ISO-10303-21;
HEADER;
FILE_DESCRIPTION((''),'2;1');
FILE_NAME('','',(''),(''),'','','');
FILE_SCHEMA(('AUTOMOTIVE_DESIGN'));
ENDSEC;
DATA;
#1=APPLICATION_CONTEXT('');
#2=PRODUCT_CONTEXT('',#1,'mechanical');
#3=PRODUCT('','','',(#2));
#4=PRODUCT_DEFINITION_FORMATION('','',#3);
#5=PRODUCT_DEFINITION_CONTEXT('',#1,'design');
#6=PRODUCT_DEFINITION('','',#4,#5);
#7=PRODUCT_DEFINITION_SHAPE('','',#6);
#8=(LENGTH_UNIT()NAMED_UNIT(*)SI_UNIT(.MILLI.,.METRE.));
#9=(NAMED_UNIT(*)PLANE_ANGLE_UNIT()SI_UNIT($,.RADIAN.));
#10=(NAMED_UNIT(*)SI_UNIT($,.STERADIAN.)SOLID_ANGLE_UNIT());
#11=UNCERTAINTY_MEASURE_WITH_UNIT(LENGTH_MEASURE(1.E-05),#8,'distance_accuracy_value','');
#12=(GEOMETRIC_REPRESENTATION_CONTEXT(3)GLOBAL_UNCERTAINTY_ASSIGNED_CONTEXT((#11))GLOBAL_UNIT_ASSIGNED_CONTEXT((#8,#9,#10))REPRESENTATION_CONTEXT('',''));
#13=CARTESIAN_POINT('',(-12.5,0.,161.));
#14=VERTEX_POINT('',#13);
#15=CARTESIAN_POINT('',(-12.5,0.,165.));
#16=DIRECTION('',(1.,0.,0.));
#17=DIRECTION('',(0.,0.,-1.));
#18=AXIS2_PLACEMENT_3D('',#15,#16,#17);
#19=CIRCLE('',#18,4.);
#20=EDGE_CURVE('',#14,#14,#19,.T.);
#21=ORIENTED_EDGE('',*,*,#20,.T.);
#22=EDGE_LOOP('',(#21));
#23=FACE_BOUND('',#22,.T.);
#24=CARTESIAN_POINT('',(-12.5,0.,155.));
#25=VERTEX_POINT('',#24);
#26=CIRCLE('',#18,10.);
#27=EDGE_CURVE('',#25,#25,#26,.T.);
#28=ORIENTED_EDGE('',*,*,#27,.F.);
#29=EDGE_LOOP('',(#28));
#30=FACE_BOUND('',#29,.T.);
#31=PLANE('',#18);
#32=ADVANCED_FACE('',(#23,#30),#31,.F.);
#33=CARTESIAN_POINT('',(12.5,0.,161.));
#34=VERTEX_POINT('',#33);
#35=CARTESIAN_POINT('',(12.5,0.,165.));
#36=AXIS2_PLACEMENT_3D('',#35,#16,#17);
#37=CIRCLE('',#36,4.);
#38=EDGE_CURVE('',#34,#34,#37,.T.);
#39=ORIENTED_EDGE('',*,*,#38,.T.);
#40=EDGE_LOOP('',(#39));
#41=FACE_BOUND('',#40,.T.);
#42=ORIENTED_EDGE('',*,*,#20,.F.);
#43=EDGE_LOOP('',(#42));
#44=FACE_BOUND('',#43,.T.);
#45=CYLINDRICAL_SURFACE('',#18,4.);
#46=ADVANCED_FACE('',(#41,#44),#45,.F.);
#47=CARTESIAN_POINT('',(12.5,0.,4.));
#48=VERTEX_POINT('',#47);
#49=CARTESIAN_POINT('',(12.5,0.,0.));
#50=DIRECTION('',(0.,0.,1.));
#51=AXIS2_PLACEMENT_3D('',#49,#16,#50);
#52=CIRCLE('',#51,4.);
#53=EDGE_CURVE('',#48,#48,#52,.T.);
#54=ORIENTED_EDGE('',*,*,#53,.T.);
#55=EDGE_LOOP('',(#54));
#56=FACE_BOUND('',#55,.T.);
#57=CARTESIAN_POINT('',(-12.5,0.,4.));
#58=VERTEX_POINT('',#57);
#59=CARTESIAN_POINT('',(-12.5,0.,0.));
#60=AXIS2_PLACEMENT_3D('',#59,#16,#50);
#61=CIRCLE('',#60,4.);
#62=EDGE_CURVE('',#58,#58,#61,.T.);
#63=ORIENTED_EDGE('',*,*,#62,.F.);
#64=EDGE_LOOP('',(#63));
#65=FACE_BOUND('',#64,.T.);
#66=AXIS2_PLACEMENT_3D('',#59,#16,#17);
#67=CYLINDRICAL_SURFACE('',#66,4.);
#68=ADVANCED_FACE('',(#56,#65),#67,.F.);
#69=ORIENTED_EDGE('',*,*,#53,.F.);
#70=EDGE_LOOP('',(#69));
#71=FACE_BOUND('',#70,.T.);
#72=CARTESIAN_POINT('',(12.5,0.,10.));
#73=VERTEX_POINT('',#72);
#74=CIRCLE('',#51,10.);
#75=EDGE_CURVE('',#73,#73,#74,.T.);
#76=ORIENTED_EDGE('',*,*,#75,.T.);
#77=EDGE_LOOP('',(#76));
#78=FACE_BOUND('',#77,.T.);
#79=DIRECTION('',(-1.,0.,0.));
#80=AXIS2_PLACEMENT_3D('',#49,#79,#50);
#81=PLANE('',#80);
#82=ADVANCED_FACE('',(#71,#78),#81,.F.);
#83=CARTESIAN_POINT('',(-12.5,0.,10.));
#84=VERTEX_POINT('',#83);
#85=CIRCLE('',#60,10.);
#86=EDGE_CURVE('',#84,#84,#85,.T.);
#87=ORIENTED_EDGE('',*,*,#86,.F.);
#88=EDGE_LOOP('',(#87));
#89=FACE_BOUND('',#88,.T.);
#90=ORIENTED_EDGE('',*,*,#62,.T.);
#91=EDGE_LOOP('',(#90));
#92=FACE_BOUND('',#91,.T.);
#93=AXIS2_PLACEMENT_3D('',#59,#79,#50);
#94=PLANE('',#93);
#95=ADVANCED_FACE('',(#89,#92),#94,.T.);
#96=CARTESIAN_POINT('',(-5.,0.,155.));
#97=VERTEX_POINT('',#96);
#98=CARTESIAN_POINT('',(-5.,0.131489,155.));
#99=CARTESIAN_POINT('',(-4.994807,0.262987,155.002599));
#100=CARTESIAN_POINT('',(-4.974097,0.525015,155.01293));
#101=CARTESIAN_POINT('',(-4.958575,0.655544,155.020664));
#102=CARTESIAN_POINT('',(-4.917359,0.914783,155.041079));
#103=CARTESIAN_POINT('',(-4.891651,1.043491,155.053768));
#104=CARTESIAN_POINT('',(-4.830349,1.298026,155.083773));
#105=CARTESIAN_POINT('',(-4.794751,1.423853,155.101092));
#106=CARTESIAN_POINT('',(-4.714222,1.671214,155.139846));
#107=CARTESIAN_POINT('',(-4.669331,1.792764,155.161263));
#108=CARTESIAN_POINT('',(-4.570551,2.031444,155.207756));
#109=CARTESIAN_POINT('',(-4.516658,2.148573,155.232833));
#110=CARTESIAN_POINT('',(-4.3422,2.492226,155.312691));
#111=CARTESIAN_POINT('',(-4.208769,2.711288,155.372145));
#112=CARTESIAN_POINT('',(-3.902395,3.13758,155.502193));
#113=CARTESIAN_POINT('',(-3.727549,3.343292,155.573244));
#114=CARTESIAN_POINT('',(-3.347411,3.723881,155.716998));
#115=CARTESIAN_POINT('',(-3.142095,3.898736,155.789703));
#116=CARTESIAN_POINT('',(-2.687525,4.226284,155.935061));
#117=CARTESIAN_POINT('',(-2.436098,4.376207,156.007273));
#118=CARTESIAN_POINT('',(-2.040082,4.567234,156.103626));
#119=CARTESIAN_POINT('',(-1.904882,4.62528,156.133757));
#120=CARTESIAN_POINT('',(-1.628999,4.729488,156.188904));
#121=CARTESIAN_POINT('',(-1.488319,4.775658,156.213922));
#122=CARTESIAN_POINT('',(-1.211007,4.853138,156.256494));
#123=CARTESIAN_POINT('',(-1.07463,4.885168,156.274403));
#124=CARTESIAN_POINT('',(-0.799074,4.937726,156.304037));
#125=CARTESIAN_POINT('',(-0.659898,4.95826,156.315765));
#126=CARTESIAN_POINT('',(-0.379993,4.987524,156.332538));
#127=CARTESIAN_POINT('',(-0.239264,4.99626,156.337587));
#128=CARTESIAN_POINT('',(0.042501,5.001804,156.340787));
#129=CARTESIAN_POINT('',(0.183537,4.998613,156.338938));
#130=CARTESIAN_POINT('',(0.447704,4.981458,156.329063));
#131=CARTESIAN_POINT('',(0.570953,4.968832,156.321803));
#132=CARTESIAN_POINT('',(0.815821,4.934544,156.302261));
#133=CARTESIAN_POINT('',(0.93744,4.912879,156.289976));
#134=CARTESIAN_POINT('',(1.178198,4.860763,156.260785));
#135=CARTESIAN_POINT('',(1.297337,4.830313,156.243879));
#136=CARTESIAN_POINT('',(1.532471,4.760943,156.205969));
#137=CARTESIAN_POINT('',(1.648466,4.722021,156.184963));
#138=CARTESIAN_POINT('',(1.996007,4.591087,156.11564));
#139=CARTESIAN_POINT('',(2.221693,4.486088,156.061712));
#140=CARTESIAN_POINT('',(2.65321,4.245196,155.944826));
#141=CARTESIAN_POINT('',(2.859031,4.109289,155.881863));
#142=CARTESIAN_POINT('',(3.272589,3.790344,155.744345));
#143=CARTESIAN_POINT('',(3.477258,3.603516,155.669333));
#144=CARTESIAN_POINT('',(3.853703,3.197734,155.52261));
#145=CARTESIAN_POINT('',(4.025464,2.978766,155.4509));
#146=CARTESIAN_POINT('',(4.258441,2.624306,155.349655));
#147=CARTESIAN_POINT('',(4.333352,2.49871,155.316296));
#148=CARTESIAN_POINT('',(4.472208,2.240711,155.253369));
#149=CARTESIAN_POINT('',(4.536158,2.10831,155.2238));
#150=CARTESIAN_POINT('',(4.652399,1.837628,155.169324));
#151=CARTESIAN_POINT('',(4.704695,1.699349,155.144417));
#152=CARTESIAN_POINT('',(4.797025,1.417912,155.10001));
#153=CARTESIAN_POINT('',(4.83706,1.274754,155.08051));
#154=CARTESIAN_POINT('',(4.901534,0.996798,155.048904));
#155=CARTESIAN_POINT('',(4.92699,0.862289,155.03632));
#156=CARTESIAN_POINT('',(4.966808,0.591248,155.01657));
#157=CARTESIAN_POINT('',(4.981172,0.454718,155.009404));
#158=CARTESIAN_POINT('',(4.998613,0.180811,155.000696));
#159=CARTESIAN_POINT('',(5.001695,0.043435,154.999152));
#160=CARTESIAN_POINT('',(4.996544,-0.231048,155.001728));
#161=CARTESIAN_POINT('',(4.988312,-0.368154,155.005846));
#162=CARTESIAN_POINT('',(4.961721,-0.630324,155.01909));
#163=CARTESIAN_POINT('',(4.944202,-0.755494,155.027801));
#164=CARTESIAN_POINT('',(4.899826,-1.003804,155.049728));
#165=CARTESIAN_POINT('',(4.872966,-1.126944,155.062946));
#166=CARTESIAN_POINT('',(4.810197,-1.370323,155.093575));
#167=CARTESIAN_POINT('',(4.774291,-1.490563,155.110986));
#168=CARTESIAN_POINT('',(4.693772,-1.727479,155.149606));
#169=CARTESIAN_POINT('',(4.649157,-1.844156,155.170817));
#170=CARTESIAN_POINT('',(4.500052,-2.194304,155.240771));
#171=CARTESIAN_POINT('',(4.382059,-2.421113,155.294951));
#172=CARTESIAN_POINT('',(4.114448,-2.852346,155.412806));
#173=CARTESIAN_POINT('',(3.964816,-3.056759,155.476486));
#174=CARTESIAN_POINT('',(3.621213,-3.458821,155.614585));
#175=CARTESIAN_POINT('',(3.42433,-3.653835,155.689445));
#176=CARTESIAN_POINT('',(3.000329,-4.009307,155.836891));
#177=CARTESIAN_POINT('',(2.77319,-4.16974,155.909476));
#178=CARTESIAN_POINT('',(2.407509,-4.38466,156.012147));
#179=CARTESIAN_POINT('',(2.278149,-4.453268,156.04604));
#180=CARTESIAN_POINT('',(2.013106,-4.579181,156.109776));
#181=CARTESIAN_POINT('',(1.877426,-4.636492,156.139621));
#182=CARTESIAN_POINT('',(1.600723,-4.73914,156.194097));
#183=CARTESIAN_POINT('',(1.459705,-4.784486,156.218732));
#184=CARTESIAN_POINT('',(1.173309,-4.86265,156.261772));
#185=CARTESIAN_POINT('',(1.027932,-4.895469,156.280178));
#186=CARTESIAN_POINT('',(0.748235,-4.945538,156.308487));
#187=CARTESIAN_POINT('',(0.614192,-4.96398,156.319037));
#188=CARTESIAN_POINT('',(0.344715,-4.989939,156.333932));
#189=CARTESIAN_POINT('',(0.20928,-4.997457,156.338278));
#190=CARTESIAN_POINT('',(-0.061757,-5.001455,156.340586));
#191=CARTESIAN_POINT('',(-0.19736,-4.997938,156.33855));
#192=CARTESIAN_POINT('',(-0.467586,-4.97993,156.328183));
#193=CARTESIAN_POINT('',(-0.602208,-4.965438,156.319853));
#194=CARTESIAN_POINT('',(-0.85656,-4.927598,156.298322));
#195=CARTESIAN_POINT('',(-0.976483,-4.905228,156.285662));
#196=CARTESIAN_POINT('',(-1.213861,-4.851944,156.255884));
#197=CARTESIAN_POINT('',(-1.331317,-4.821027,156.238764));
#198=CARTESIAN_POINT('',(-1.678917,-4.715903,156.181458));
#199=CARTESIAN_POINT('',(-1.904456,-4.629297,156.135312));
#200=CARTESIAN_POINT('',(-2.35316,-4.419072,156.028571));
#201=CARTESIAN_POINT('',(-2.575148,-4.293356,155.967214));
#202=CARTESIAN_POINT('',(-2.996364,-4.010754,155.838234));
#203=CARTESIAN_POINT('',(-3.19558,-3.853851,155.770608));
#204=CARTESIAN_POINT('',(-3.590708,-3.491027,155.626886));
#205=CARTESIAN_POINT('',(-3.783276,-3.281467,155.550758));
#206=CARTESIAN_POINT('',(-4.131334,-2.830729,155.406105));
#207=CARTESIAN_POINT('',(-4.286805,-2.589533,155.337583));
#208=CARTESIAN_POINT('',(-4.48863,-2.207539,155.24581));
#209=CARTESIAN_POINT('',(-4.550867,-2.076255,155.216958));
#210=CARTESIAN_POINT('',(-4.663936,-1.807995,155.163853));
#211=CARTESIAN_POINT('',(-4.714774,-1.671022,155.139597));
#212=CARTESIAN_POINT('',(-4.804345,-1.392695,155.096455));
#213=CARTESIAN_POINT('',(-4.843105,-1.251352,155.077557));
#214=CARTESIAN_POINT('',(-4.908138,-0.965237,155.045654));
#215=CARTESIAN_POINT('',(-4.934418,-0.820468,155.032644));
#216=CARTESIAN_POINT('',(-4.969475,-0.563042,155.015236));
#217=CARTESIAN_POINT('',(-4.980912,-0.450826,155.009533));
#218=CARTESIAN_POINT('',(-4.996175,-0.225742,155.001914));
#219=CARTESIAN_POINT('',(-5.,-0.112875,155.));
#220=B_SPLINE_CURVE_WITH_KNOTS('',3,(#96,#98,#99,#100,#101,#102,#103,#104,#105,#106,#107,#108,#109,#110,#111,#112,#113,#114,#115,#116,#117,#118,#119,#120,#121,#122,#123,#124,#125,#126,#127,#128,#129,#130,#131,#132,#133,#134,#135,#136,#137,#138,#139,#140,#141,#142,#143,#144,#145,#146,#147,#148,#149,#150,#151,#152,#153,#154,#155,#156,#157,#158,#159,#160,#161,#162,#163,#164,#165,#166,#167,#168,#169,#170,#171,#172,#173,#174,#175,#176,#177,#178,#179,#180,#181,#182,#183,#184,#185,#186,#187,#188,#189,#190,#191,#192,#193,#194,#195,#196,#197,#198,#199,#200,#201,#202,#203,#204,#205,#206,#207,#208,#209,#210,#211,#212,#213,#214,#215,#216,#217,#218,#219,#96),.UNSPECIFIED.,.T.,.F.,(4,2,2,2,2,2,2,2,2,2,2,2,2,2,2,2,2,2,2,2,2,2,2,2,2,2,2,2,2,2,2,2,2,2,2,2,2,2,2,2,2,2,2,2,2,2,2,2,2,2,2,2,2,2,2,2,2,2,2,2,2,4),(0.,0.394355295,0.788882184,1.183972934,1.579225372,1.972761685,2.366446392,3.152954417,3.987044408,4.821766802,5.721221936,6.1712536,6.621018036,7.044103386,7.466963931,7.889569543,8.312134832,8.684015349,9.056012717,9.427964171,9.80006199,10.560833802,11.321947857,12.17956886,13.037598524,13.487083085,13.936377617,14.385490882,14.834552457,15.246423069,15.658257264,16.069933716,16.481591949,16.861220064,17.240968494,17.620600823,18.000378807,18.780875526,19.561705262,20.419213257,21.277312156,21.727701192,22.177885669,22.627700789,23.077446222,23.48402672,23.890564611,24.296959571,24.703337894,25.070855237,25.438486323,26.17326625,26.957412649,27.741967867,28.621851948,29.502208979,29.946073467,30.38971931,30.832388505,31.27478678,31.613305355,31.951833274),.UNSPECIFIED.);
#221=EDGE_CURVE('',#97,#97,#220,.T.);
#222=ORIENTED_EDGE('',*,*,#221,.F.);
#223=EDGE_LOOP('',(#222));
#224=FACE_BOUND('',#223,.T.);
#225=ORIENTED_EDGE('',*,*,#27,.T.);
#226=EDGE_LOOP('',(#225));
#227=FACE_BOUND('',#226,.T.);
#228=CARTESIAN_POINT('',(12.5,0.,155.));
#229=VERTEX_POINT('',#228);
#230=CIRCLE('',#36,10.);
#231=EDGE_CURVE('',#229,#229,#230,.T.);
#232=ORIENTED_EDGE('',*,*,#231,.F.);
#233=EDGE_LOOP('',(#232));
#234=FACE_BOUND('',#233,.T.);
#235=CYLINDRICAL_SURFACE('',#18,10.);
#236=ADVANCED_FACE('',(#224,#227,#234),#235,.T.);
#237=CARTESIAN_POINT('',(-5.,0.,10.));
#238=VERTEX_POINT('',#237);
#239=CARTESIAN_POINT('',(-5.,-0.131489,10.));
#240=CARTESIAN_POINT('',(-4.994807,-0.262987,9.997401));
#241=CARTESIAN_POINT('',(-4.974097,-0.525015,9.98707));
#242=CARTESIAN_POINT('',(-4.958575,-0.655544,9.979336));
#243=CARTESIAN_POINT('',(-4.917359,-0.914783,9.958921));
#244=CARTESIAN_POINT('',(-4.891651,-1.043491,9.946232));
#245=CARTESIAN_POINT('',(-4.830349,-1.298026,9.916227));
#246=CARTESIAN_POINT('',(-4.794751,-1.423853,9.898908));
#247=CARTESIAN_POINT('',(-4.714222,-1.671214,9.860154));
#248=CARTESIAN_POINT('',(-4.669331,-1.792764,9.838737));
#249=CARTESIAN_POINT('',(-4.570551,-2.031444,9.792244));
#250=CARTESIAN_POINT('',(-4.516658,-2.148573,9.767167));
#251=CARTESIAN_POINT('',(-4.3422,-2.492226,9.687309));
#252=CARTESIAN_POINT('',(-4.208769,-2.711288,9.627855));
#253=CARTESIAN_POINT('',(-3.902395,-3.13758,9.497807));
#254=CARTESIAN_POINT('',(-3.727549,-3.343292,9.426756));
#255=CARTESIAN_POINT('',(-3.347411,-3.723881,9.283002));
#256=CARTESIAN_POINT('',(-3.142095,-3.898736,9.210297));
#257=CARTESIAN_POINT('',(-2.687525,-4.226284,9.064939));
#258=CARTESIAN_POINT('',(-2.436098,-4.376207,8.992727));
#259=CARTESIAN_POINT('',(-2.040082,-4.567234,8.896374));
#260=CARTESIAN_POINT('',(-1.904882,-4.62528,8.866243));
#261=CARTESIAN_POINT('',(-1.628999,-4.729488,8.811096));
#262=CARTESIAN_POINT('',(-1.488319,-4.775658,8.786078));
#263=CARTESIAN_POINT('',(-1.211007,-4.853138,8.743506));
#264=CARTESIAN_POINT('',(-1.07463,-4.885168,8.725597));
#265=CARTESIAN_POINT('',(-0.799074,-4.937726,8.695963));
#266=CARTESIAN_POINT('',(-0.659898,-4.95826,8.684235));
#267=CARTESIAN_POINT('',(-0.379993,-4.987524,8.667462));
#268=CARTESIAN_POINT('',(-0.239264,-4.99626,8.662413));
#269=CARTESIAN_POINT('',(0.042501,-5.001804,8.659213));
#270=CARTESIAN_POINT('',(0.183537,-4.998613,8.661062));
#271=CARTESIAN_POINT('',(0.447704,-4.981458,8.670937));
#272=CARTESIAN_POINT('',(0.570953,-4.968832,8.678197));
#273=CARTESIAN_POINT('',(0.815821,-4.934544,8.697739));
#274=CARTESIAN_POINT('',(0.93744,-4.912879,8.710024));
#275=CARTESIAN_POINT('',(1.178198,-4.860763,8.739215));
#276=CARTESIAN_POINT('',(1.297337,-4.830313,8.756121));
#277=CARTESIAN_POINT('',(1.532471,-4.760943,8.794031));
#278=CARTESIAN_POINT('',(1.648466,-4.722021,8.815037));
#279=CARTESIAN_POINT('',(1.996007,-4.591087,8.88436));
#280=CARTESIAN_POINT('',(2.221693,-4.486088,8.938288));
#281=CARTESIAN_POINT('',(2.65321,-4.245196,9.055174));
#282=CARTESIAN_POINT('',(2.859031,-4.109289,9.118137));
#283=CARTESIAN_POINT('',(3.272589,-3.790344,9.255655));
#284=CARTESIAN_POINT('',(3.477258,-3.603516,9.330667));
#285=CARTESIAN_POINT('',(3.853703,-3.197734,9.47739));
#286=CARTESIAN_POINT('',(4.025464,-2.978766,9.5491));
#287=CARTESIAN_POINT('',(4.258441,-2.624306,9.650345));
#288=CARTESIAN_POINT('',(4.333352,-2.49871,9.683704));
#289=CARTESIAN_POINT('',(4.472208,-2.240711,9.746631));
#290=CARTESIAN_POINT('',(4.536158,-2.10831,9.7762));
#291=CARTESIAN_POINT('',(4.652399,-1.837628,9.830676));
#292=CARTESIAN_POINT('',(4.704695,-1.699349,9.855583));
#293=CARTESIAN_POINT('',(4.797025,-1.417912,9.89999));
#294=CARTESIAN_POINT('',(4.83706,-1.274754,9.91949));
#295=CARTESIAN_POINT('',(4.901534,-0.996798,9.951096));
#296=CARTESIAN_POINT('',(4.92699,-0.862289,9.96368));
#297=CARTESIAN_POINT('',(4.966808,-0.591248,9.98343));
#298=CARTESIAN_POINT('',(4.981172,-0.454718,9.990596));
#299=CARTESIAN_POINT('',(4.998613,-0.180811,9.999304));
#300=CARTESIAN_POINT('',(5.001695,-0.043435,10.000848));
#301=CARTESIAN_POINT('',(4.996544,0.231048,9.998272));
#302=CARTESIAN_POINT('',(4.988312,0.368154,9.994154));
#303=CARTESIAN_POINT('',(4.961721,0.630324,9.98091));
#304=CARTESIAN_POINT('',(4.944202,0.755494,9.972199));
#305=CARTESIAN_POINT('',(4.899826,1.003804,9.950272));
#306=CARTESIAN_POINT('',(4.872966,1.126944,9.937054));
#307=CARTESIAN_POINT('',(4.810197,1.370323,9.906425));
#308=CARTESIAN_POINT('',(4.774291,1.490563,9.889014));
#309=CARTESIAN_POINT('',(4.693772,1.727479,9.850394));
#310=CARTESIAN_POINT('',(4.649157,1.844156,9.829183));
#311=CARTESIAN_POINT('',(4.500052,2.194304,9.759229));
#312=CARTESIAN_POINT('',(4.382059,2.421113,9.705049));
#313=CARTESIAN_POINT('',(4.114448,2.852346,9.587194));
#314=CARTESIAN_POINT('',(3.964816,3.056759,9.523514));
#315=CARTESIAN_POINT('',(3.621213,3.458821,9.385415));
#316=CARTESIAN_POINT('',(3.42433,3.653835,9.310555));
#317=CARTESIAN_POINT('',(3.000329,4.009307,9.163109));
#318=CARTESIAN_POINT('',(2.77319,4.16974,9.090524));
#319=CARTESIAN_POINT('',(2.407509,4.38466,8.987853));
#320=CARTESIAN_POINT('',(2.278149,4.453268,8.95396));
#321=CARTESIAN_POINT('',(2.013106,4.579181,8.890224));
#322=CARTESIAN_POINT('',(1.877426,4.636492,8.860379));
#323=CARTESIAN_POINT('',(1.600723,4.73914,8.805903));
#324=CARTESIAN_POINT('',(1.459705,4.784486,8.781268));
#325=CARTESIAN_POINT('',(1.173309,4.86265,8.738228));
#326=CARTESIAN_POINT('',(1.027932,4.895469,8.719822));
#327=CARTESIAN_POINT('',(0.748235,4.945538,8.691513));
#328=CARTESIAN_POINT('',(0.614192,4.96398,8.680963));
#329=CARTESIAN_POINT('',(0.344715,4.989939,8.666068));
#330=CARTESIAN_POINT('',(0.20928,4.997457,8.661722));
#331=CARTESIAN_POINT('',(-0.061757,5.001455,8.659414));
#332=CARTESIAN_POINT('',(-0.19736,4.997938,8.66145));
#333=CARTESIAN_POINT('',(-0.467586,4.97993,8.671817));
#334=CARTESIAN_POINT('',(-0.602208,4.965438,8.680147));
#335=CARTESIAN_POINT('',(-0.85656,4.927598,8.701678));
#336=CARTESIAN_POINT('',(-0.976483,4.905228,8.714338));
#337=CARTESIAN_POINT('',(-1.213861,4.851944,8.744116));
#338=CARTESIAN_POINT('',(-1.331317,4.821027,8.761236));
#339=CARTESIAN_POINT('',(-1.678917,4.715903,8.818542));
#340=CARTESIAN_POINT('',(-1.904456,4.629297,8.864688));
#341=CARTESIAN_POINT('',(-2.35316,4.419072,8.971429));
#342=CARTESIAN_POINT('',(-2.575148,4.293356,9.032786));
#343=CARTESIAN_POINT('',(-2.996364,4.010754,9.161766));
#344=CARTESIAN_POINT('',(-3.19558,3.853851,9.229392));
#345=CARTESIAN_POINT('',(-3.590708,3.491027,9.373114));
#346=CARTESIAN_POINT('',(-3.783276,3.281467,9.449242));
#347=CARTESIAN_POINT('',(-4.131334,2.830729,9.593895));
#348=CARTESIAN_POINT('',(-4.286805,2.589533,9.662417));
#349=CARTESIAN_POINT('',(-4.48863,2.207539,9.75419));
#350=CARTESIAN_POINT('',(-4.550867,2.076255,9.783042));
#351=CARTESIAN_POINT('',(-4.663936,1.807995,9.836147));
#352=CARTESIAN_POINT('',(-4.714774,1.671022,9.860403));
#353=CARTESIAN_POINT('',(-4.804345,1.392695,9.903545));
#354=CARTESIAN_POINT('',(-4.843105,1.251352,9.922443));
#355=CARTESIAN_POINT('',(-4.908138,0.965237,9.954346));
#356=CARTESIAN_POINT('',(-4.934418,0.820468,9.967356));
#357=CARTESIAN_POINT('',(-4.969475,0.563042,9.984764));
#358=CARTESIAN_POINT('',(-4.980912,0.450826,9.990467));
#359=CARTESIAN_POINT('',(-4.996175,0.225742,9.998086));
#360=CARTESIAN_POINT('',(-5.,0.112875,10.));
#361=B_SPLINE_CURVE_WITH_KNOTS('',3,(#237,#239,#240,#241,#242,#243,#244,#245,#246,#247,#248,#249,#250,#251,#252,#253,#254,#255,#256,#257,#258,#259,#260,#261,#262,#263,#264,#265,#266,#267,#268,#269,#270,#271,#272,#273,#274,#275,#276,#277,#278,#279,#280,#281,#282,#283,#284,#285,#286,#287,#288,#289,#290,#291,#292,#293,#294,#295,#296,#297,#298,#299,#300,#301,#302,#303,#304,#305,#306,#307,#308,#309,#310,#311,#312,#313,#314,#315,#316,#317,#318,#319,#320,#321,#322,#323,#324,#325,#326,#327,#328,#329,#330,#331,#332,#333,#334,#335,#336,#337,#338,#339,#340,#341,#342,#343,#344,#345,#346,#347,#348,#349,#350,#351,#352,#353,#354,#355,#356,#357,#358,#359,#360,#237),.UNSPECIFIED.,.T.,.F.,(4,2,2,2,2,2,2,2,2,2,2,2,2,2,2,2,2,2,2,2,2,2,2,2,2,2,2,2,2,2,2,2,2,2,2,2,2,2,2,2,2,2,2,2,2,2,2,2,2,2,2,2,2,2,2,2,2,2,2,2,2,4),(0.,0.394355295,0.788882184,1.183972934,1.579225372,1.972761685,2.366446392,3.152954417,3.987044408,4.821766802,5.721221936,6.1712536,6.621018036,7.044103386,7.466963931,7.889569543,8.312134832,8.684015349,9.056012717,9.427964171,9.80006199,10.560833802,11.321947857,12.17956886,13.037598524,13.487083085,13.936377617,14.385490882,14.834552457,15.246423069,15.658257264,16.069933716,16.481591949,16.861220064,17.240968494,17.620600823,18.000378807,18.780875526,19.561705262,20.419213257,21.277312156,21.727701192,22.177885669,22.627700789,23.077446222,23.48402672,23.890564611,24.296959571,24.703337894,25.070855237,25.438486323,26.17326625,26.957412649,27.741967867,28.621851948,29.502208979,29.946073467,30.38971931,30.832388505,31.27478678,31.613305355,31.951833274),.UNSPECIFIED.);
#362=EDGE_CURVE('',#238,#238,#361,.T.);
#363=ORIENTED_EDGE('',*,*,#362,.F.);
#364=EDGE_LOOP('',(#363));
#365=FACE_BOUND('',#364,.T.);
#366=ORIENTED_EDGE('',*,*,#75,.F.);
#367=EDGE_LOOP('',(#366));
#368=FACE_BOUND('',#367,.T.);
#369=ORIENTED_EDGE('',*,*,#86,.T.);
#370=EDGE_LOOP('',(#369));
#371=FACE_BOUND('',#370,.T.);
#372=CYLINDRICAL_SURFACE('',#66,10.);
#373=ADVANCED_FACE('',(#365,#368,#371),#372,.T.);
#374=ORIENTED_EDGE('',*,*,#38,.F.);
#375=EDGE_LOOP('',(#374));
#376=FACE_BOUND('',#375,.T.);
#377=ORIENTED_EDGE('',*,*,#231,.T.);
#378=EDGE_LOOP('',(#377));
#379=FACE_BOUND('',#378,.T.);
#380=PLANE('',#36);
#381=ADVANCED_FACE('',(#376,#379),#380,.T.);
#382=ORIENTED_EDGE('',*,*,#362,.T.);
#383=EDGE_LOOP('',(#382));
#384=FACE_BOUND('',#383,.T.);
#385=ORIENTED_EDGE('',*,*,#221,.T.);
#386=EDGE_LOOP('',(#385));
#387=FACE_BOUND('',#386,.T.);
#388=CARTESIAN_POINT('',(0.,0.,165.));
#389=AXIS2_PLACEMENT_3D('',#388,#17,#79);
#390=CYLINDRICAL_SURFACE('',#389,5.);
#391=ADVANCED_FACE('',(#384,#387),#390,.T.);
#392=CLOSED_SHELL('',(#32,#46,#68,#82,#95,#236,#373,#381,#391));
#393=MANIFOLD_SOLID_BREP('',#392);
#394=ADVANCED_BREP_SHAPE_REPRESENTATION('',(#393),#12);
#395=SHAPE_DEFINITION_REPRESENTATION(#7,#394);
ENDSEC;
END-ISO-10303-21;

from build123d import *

# Parameters (mm, degrees)
SKETCH1_R                = 5
BOSS_EXTRUDE1_DEPTH      = 165
BOSS_EXTRUDE2_DEPTH      = 12.5
BOSS_EXTRUDE2_DEPTH_BACK = 12.5
SKETCH2_R                = 10
SKETCH2_R_2              = 4
CUT_EXTRUDE1_DEPTH       = 176.73061782
CUT_EXTRUDE1_DEPTH_BACK  = 176.73061782
SKETCH2_2_R              = 4


with BuildPart() as part:
    # Sketch1 → Boss-Extrude1 (new body)
    with BuildSketch(Plane.XY):
        Circle(SKETCH1_R)
    extrude(amount=BOSS_EXTRUDE1_DEPTH)

    # Sketch2 → Boss-Extrude2 (add, two sides: drawn at the far end of the back side and taken through both)
    # profile 1 of 2: a face of its own
    with BuildSketch(Plane(origin=(0, 0, 0), x_dir=(0, 0, -1), z_dir=(1, 0, 0)).offset(-BOSS_EXTRUDE2_DEPTH_BACK)):
        with Locations((-165, 0)):
            Circle(SKETCH2_R)
        with Locations((-165, 0)):
            Circle(SKETCH2_R_2, mode=Mode.SUBTRACT)
    # profile 2 of 2: a face of its own
    with BuildSketch(Plane(origin=(0, 0, 0), x_dir=(0, 0, -1), z_dir=(1, 0, 0)).offset(-BOSS_EXTRUDE2_DEPTH_BACK)):
        Circle(SKETCH2_R)
        Circle(SKETCH2_R_2, mode=Mode.SUBTRACT)
    extrude(amount=BOSS_EXTRUDE2_DEPTH + BOSS_EXTRUDE2_DEPTH_BACK)

    # Sketch2<2> → Cut-Extrude1 (cut, two sides: drawn at the far end of the back side and taken through both)
    with BuildSketch(Plane(origin=(0, 0, 0), x_dir=(0, 0, -1), z_dir=(1, 0, 0)).offset(-CUT_EXTRUDE1_DEPTH_BACK)):
        with Locations((-165, 0)):
            Circle(SKETCH2_2_R)
        Circle(SKETCH2_2_R)
    extrude(amount=CUT_EXTRUDE1_DEPTH + CUT_EXTRUDE1_DEPTH_BACK, mode=Mode.SUBTRACT)


solid = part.part
